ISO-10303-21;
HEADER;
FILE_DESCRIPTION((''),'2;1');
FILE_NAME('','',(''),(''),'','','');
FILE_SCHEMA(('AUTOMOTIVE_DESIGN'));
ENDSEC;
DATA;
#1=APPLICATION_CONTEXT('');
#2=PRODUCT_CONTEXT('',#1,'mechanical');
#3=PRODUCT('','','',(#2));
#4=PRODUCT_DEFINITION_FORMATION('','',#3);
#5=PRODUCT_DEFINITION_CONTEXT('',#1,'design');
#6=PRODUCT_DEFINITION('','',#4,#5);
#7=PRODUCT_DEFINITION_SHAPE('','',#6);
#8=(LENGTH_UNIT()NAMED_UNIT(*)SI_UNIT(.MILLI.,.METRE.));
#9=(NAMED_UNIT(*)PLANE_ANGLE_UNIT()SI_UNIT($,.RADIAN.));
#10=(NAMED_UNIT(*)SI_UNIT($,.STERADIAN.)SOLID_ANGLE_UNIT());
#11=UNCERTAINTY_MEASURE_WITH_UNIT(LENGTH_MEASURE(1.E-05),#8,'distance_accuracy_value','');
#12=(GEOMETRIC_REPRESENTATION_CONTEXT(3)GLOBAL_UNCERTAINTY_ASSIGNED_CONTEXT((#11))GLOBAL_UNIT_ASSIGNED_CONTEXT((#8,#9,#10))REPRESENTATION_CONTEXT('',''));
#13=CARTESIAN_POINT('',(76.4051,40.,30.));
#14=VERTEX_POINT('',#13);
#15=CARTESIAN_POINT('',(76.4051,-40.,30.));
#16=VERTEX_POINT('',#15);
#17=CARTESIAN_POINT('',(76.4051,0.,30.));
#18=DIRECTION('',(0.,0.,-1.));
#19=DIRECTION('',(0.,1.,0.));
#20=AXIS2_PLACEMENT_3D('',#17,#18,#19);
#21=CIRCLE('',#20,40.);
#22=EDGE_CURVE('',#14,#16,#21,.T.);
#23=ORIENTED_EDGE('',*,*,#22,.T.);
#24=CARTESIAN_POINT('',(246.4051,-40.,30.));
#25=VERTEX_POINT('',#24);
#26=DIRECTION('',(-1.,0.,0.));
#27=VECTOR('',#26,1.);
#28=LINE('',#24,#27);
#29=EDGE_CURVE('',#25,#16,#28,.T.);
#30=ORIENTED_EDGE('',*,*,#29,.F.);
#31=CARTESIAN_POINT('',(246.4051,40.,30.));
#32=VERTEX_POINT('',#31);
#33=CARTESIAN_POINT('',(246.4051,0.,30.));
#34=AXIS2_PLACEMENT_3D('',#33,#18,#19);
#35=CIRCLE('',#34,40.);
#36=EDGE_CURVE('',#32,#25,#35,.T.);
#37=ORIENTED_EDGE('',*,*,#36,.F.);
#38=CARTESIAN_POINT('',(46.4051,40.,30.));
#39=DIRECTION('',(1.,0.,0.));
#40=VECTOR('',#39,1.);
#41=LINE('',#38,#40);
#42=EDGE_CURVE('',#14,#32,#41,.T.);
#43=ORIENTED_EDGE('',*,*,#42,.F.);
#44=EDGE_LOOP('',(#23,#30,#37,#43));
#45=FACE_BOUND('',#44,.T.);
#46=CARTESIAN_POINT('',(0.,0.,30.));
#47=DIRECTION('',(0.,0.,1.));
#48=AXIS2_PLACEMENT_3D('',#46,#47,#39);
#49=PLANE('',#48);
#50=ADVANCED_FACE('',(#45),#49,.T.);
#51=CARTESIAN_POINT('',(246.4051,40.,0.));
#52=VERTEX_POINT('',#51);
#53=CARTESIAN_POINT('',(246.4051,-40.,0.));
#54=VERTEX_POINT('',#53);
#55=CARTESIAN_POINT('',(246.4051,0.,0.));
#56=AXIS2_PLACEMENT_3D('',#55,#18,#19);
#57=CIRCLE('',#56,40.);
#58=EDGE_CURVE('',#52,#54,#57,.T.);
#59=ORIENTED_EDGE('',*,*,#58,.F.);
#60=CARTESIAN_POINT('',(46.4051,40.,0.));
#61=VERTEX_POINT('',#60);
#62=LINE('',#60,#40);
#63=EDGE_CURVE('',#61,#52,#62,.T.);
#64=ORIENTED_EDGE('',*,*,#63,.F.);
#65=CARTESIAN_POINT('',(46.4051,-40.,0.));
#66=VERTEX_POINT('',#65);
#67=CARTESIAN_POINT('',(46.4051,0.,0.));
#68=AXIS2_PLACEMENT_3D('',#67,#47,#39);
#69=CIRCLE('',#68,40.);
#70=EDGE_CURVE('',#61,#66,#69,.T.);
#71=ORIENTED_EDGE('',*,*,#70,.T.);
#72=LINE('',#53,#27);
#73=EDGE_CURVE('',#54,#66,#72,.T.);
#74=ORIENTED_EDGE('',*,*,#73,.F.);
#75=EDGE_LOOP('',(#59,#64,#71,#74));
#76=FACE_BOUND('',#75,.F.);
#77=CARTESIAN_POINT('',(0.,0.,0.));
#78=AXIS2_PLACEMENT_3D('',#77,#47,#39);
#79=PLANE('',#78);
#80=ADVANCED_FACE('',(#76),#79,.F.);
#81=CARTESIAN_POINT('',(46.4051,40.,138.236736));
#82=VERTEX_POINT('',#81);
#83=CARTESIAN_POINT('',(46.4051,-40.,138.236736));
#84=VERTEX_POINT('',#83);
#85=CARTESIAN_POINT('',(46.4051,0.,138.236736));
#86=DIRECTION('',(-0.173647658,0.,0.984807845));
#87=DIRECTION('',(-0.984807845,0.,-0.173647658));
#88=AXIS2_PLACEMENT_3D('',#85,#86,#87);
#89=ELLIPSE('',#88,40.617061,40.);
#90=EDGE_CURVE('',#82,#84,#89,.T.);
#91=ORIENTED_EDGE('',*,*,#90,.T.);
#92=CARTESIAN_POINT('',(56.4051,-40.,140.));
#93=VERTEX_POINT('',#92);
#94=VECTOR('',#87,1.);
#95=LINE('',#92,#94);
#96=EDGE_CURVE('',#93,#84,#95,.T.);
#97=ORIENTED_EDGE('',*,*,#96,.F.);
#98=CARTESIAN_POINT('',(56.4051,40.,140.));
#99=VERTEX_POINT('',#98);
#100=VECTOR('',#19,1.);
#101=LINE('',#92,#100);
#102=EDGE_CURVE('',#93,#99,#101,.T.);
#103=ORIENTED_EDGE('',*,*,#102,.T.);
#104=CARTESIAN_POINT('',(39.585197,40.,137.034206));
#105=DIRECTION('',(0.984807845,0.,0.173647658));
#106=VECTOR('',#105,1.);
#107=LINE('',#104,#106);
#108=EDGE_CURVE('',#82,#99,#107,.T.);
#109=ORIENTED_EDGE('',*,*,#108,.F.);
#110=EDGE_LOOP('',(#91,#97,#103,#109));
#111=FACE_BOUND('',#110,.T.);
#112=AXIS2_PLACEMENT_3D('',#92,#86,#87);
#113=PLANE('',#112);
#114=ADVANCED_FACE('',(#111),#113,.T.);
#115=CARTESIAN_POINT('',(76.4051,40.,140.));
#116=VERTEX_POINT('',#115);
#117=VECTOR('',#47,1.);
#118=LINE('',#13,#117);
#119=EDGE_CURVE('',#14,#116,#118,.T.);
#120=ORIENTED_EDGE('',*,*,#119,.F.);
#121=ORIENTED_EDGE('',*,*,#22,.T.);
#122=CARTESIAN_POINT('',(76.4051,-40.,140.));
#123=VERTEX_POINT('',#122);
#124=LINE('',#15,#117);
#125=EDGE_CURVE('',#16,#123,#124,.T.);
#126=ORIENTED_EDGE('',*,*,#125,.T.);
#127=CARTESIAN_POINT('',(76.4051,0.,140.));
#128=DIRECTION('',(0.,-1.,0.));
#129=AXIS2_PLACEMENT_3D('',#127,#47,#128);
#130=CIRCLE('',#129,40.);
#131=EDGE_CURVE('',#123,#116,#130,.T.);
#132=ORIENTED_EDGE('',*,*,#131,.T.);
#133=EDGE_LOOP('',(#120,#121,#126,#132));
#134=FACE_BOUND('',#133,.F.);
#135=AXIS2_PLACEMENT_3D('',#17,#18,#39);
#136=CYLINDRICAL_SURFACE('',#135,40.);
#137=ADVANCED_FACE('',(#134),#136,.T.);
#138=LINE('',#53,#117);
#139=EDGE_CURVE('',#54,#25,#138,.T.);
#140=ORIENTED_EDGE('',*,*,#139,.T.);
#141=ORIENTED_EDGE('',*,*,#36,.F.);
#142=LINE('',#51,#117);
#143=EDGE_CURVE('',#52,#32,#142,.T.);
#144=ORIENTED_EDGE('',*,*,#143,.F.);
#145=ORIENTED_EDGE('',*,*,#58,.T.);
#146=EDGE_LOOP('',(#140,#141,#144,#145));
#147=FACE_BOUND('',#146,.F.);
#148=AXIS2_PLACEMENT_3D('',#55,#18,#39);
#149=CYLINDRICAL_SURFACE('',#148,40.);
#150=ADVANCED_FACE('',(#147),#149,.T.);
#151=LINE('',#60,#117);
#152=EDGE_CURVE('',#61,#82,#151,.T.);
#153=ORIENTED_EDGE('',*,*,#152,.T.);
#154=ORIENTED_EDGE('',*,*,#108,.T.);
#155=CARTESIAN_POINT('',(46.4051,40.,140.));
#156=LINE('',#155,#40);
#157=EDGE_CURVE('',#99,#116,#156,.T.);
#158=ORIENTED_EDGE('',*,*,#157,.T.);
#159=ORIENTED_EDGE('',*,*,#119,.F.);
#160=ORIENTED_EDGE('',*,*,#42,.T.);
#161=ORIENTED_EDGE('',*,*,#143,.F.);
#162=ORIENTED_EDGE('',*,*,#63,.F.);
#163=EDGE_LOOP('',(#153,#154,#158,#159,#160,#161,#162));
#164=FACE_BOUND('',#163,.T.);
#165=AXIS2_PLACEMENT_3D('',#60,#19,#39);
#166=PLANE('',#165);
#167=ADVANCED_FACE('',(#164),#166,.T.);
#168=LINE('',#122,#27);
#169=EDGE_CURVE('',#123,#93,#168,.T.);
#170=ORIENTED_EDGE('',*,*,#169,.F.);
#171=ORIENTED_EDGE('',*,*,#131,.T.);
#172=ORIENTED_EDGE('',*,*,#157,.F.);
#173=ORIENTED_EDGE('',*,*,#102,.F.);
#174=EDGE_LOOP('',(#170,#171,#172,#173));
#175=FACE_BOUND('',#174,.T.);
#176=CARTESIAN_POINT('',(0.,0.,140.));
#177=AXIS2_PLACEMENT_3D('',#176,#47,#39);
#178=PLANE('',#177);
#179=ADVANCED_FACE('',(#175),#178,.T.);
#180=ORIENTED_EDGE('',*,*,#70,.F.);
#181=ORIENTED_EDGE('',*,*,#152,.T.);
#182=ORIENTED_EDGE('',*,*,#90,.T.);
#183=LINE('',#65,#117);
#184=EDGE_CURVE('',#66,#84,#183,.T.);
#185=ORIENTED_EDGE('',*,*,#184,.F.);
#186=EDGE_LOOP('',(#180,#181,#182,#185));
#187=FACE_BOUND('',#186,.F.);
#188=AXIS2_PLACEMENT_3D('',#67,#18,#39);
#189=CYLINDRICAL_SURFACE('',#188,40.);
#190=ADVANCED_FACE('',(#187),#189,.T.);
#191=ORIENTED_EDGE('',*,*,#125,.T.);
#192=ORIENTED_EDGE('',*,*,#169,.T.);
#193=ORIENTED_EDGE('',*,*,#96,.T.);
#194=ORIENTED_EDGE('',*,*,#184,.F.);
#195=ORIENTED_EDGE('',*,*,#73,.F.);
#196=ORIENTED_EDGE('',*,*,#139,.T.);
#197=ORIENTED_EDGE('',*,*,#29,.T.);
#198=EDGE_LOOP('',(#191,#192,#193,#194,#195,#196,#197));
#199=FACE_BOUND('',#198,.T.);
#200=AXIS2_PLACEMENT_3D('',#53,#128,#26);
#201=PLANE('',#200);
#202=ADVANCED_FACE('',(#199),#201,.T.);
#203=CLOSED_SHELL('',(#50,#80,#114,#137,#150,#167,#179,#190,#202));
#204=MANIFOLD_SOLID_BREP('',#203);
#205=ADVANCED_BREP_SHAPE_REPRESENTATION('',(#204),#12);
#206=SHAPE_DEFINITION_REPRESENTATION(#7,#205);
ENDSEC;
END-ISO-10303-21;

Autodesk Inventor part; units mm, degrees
ref_plane "YZ Plane" through (0, 0, 0) normal (1, 0, 0) x (0, 1, 0)
ref_plane "XZ Plane" through (0, 0, 0) normal (0, 1, 0) x (-1, 0, 0)
ref_plane "XY Plane" through (0, 0, 0) normal (0, 0, 1) x (1, 0, 0)
sketch "Sketch1" plane through (0, 0, 0) normal (0, 0, 1) x (1, 0, 0)
  line L0 (0, 15.9441) -> (0, -15.9441) construction
  line L1 (11.6084, 0) -> (-11.6084, 0) construction
  line L2 (46.4051, 40) -> (246.4051, 40)
  line L3 (246.4051, 40) -> (246.4051, -40)
  line L4 (246.4051, -40) -> (46.4051, -40)
  line L5 (46.4051, -40) -> (46.4051, 40)
  circle A0 centre (46.4051, 0) radius 40
  circle A1 centre (246.4051, 0) radius 40
  point P0 (0, 0)
  point P1 (0, 0)
  dimension "d0" = 80
  dimension "d1" = 200
extrude "Extrusion1" add sketch "Sketch1" along normal blind 30
sketch "Sketch2" plane through (0, 0, 30) normal (0, 0, 1) x (1, 0, 0)
  arc A0 (46.4051, 40) -> (46.4051, -40) centre (46.4051, 0) ccw projected
  circle A1 centre (46.4051, 0) radius 40
  line L0 (46.4051, -40) -> (46.4051, 40)
  line L1 (116.4051, 0) -> (76.4051, 0)
  circle A2 centre (76.4051, 0) radius 40
  line L2 (46.4051, 40) -> (76.4051, 40)
  line L3 (76.4051, -40) -> (46.4051, -40)
  point P0 (0, 0)
extrude "Extrusion2" add sketch "Sketch2" along normal blind 110
sketch "Sketch3" plane through (46.4051, -40, 0) normal (0, -1, 0) x (1, 0, 0)
  line L0 (-40, 140) -> (0, 140) projected
  line L1 (0, 140) -> (10, 140)
  line L2 (10, 140) -> (-81.693, 123.8321)
  line L3 (-81.693, 123.8321) -> (-81.693, 140)
  line L4 (-81.693, 140) -> (0, 140)
  point P0 (-46.4051, 0)
extrude "Extrusion3" cut sketch "Sketch3" against normal through all
properties part number "CANH TAY 2"
